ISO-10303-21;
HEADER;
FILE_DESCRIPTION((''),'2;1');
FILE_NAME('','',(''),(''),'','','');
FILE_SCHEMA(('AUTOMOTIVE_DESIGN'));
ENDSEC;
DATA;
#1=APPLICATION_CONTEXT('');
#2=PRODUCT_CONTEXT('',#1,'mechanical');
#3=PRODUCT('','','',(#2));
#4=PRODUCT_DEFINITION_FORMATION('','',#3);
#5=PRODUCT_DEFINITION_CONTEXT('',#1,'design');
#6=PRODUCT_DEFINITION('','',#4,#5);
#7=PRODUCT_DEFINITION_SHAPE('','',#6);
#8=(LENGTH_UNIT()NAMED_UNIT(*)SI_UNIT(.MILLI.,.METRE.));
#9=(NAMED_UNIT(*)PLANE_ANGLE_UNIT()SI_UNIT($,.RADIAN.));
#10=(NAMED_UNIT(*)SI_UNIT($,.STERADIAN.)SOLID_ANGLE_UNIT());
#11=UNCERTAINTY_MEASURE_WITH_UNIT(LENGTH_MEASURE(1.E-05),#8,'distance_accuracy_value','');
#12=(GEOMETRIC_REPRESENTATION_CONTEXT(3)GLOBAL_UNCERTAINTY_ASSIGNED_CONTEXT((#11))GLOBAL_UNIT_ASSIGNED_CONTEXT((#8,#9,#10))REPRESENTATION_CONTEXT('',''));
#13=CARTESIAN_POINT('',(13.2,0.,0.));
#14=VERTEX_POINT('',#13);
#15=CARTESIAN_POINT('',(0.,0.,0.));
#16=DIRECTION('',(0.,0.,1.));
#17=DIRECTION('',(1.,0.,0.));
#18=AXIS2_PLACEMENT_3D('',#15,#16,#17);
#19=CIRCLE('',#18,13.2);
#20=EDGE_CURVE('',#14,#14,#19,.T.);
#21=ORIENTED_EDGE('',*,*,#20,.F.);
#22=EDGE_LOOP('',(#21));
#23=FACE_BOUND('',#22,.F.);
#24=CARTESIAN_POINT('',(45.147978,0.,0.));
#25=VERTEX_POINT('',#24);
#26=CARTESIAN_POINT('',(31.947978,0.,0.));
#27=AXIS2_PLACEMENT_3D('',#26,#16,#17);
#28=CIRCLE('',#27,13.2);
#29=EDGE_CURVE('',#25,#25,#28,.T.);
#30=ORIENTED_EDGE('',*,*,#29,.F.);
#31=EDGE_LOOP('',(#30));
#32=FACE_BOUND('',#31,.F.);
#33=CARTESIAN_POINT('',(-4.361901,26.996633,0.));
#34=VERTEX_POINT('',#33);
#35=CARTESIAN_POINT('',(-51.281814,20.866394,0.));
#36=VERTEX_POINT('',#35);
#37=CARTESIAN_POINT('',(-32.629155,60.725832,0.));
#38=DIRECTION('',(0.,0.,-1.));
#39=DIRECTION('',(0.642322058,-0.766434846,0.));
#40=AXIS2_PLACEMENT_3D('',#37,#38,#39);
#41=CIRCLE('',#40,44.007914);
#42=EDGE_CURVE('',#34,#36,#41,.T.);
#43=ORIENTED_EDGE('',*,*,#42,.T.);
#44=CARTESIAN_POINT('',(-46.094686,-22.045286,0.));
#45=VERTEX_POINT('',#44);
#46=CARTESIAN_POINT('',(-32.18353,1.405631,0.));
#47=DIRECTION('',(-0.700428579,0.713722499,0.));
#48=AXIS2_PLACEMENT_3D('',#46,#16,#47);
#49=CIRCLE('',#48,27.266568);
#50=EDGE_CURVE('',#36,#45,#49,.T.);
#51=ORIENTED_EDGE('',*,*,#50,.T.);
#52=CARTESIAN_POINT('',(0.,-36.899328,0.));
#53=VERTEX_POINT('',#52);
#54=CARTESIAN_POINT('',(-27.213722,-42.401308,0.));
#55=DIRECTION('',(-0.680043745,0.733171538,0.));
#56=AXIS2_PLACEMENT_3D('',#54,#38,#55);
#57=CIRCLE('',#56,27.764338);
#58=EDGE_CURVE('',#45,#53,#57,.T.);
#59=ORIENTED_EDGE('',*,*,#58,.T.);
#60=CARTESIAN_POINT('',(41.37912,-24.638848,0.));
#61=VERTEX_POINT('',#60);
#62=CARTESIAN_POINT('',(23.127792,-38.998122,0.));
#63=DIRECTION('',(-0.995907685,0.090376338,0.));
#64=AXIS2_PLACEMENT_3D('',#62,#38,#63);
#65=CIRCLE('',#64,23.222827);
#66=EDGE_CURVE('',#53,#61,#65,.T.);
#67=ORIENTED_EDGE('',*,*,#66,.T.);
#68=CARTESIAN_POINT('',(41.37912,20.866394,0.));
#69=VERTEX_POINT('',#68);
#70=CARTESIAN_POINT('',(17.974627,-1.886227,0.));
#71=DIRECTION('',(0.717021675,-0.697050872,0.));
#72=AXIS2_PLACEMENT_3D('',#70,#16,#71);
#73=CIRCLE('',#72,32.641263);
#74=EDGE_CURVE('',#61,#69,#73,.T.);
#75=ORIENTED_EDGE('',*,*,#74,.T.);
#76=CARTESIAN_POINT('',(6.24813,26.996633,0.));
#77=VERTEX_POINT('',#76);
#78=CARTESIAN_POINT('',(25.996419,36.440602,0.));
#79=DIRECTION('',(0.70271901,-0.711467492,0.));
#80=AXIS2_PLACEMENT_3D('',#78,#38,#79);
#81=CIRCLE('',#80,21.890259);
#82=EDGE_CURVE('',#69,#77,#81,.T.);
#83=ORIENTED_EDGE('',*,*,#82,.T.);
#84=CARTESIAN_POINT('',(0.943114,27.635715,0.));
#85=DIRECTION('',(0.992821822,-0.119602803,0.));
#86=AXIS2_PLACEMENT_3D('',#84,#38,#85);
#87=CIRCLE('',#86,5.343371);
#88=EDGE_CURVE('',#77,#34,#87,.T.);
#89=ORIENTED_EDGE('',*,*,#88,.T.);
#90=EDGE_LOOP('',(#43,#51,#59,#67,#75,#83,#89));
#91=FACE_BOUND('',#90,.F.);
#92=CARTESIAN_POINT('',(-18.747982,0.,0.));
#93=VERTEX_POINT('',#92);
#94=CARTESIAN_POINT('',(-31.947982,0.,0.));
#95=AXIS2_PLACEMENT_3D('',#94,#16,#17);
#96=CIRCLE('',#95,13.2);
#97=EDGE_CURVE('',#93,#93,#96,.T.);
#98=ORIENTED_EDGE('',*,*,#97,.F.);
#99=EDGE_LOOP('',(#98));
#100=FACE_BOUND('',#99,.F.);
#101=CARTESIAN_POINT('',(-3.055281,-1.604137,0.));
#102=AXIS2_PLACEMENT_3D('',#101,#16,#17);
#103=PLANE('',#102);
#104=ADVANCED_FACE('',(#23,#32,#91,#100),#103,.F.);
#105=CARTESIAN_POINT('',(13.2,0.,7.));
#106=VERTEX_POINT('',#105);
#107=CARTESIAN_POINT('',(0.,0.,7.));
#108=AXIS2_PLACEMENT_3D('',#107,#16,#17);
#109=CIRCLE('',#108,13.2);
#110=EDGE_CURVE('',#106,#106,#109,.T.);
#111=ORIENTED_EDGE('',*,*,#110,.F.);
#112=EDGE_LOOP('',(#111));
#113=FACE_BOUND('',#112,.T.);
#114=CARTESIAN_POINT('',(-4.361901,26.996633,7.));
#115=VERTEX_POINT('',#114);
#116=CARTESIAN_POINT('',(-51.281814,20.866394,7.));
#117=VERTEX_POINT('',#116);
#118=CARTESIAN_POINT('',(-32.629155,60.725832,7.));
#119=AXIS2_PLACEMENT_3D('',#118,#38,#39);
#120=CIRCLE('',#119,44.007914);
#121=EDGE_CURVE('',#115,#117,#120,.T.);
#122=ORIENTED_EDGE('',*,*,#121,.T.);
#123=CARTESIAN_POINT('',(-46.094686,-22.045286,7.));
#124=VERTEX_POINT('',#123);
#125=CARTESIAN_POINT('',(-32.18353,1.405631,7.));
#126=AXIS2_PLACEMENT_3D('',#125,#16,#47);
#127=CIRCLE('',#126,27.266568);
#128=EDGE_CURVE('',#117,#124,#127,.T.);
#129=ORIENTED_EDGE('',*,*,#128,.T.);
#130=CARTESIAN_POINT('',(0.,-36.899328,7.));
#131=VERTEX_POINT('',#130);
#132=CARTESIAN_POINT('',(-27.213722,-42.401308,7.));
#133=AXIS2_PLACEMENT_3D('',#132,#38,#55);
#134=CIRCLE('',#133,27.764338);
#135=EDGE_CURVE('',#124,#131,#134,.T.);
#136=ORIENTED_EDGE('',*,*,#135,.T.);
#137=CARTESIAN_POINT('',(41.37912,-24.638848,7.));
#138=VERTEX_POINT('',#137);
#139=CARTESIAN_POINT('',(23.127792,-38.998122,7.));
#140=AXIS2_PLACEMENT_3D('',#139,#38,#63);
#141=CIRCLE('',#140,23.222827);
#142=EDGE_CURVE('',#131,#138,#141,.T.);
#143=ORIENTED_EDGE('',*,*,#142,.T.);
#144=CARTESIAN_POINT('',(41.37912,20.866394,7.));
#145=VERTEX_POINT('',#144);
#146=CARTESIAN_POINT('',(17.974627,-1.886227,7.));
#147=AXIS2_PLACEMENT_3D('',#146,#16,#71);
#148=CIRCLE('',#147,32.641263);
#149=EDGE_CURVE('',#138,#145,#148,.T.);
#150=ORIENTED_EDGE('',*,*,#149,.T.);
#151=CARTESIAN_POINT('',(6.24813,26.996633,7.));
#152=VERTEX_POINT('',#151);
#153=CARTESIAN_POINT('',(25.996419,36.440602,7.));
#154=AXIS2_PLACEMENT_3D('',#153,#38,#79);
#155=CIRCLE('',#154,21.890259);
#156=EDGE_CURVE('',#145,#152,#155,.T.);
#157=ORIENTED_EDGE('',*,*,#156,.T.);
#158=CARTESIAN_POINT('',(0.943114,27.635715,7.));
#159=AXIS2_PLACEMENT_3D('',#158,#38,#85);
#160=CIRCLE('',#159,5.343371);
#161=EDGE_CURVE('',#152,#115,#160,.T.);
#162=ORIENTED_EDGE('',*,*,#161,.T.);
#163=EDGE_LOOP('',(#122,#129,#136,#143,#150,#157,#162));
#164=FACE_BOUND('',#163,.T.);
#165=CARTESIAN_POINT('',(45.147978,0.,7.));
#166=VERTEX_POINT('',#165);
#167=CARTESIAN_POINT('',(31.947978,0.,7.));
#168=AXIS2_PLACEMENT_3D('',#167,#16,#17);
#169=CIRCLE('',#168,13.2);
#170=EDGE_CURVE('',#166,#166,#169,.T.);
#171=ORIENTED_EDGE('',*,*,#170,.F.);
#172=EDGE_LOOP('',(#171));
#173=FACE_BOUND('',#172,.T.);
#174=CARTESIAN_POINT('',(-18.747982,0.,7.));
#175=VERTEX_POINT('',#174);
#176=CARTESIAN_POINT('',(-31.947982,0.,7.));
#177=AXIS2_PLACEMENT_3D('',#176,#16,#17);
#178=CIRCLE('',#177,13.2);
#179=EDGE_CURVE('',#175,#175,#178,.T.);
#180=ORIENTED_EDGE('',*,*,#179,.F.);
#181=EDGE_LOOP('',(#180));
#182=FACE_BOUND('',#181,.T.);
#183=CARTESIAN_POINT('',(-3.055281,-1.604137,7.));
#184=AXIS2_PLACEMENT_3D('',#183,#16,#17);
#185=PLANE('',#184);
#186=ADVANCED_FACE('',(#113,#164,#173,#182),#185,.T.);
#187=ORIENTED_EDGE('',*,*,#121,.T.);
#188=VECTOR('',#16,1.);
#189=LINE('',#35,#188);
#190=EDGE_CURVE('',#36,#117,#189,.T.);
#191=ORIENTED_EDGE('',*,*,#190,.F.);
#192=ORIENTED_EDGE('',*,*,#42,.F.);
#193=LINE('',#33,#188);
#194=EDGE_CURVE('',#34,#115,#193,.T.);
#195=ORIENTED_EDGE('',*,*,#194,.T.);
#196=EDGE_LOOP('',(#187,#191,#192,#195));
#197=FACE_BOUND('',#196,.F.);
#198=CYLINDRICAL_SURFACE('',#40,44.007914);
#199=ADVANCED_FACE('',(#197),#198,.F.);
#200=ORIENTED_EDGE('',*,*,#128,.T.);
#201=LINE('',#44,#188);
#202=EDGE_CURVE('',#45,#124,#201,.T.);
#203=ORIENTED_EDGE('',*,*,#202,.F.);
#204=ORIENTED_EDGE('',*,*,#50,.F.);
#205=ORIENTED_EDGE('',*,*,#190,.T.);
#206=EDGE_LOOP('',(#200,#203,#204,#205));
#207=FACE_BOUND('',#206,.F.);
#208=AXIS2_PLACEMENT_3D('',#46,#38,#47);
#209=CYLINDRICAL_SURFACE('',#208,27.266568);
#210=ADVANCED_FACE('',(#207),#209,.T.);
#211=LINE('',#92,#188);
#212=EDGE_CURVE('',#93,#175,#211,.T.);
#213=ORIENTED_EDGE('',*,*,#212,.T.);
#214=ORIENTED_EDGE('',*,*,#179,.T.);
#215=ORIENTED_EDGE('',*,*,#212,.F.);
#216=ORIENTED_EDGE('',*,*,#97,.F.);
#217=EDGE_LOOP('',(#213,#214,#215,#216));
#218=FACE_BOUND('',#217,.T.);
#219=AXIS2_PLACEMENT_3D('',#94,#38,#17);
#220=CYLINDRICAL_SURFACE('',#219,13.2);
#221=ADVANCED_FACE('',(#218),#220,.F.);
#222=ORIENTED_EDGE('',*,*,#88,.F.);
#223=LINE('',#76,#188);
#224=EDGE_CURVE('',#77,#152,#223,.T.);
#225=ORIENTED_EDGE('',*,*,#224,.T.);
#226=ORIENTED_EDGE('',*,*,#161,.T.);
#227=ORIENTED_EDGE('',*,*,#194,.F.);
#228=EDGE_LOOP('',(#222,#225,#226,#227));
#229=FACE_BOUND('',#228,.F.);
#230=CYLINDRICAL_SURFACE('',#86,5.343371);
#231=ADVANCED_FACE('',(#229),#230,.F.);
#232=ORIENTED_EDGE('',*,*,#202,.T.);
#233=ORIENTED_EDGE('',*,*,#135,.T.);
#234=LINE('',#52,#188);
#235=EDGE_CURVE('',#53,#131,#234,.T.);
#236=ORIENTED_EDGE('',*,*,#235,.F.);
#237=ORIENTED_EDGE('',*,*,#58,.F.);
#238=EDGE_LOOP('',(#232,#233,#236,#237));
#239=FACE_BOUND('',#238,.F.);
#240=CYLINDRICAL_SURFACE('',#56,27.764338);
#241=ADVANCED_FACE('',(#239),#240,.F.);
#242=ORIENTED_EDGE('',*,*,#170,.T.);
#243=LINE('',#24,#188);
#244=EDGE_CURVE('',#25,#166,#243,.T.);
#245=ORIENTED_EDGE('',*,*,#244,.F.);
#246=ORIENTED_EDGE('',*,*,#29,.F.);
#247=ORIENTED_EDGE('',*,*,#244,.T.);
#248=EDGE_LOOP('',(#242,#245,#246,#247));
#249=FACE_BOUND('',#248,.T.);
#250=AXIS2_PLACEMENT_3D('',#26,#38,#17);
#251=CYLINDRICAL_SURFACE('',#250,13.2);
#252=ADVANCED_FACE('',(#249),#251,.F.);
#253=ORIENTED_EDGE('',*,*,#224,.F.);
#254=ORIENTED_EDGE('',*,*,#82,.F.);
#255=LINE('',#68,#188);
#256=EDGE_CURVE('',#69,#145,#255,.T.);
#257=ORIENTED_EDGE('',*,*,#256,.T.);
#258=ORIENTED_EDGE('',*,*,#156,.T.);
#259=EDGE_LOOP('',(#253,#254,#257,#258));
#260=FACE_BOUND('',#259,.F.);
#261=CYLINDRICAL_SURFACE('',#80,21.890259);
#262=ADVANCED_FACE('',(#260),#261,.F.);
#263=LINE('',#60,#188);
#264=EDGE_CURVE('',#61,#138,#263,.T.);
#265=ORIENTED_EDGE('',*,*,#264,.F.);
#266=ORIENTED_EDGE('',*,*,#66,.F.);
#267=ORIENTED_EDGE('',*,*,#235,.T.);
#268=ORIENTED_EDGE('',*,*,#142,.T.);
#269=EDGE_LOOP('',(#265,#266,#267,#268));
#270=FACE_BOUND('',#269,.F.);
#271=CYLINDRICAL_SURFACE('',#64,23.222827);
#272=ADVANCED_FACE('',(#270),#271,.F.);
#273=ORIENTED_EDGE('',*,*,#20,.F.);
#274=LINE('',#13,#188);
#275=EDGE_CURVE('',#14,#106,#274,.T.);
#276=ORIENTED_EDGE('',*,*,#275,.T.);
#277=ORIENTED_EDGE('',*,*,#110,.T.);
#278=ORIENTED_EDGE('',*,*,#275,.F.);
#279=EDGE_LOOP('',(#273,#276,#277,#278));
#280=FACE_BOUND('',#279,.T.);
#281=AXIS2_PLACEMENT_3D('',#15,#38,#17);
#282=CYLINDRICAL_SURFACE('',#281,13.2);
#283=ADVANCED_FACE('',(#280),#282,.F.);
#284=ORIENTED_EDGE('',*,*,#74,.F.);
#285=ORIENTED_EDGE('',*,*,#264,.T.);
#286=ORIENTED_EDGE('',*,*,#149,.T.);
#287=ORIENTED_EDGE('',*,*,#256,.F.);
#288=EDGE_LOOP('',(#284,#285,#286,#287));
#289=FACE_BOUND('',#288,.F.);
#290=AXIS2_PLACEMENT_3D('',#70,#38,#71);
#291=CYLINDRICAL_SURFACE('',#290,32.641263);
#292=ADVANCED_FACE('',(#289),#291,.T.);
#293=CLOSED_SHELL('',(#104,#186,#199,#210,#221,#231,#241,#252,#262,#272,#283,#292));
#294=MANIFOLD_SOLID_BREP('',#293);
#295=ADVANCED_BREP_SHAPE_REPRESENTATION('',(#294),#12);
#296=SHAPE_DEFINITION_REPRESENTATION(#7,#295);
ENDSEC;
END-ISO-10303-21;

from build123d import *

# Parameters (mm, degrees)
F0_R     = 13.2
F1_DEPTH = 7


with BuildPart() as f1:
    # F0 (on Top) → F1 (new body)
    with BuildSketch(Plane.XY):
        with BuildLine():
            ThreePointArc((0, -36.899328), (16.530458, -16.732119), (41.37912, -24.638848))
            ThreePointArc((41.37912, -24.638848), (50.61589, -1.886227), (41.37912, 20.866394))
            ThreePointArc((41.37912, 20.866394), (22.233501, 14.876189), (6.24813, 26.996633))
            ThreePointArc((6.24813, 26.996633), (0.943114, 22.292344), (-4.361901, 26.996633))
            ThreePointArc((-4.361901, 26.996633), (-26.927833, 17.08879), (-51.281814, 20.866394))
            ThreePointArc((-51.281814, 20.866394), (-59.253049, -1.86651), (-46.094686, -22.045286))
            ThreePointArc((-46.094686, -22.045286), (-18.697892, -15.975202), (0, -36.899328))
        make_face()
        with Locations((-31.947982, 0)):
            Circle(F0_R, mode=Mode.SUBTRACT)
        Circle(F0_R, mode=Mode.SUBTRACT)
        with Locations((31.947978, 0)):
            Circle(F0_R, mode=Mode.SUBTRACT)
    extrude(amount=F1_DEPTH)


solid = f1.part
